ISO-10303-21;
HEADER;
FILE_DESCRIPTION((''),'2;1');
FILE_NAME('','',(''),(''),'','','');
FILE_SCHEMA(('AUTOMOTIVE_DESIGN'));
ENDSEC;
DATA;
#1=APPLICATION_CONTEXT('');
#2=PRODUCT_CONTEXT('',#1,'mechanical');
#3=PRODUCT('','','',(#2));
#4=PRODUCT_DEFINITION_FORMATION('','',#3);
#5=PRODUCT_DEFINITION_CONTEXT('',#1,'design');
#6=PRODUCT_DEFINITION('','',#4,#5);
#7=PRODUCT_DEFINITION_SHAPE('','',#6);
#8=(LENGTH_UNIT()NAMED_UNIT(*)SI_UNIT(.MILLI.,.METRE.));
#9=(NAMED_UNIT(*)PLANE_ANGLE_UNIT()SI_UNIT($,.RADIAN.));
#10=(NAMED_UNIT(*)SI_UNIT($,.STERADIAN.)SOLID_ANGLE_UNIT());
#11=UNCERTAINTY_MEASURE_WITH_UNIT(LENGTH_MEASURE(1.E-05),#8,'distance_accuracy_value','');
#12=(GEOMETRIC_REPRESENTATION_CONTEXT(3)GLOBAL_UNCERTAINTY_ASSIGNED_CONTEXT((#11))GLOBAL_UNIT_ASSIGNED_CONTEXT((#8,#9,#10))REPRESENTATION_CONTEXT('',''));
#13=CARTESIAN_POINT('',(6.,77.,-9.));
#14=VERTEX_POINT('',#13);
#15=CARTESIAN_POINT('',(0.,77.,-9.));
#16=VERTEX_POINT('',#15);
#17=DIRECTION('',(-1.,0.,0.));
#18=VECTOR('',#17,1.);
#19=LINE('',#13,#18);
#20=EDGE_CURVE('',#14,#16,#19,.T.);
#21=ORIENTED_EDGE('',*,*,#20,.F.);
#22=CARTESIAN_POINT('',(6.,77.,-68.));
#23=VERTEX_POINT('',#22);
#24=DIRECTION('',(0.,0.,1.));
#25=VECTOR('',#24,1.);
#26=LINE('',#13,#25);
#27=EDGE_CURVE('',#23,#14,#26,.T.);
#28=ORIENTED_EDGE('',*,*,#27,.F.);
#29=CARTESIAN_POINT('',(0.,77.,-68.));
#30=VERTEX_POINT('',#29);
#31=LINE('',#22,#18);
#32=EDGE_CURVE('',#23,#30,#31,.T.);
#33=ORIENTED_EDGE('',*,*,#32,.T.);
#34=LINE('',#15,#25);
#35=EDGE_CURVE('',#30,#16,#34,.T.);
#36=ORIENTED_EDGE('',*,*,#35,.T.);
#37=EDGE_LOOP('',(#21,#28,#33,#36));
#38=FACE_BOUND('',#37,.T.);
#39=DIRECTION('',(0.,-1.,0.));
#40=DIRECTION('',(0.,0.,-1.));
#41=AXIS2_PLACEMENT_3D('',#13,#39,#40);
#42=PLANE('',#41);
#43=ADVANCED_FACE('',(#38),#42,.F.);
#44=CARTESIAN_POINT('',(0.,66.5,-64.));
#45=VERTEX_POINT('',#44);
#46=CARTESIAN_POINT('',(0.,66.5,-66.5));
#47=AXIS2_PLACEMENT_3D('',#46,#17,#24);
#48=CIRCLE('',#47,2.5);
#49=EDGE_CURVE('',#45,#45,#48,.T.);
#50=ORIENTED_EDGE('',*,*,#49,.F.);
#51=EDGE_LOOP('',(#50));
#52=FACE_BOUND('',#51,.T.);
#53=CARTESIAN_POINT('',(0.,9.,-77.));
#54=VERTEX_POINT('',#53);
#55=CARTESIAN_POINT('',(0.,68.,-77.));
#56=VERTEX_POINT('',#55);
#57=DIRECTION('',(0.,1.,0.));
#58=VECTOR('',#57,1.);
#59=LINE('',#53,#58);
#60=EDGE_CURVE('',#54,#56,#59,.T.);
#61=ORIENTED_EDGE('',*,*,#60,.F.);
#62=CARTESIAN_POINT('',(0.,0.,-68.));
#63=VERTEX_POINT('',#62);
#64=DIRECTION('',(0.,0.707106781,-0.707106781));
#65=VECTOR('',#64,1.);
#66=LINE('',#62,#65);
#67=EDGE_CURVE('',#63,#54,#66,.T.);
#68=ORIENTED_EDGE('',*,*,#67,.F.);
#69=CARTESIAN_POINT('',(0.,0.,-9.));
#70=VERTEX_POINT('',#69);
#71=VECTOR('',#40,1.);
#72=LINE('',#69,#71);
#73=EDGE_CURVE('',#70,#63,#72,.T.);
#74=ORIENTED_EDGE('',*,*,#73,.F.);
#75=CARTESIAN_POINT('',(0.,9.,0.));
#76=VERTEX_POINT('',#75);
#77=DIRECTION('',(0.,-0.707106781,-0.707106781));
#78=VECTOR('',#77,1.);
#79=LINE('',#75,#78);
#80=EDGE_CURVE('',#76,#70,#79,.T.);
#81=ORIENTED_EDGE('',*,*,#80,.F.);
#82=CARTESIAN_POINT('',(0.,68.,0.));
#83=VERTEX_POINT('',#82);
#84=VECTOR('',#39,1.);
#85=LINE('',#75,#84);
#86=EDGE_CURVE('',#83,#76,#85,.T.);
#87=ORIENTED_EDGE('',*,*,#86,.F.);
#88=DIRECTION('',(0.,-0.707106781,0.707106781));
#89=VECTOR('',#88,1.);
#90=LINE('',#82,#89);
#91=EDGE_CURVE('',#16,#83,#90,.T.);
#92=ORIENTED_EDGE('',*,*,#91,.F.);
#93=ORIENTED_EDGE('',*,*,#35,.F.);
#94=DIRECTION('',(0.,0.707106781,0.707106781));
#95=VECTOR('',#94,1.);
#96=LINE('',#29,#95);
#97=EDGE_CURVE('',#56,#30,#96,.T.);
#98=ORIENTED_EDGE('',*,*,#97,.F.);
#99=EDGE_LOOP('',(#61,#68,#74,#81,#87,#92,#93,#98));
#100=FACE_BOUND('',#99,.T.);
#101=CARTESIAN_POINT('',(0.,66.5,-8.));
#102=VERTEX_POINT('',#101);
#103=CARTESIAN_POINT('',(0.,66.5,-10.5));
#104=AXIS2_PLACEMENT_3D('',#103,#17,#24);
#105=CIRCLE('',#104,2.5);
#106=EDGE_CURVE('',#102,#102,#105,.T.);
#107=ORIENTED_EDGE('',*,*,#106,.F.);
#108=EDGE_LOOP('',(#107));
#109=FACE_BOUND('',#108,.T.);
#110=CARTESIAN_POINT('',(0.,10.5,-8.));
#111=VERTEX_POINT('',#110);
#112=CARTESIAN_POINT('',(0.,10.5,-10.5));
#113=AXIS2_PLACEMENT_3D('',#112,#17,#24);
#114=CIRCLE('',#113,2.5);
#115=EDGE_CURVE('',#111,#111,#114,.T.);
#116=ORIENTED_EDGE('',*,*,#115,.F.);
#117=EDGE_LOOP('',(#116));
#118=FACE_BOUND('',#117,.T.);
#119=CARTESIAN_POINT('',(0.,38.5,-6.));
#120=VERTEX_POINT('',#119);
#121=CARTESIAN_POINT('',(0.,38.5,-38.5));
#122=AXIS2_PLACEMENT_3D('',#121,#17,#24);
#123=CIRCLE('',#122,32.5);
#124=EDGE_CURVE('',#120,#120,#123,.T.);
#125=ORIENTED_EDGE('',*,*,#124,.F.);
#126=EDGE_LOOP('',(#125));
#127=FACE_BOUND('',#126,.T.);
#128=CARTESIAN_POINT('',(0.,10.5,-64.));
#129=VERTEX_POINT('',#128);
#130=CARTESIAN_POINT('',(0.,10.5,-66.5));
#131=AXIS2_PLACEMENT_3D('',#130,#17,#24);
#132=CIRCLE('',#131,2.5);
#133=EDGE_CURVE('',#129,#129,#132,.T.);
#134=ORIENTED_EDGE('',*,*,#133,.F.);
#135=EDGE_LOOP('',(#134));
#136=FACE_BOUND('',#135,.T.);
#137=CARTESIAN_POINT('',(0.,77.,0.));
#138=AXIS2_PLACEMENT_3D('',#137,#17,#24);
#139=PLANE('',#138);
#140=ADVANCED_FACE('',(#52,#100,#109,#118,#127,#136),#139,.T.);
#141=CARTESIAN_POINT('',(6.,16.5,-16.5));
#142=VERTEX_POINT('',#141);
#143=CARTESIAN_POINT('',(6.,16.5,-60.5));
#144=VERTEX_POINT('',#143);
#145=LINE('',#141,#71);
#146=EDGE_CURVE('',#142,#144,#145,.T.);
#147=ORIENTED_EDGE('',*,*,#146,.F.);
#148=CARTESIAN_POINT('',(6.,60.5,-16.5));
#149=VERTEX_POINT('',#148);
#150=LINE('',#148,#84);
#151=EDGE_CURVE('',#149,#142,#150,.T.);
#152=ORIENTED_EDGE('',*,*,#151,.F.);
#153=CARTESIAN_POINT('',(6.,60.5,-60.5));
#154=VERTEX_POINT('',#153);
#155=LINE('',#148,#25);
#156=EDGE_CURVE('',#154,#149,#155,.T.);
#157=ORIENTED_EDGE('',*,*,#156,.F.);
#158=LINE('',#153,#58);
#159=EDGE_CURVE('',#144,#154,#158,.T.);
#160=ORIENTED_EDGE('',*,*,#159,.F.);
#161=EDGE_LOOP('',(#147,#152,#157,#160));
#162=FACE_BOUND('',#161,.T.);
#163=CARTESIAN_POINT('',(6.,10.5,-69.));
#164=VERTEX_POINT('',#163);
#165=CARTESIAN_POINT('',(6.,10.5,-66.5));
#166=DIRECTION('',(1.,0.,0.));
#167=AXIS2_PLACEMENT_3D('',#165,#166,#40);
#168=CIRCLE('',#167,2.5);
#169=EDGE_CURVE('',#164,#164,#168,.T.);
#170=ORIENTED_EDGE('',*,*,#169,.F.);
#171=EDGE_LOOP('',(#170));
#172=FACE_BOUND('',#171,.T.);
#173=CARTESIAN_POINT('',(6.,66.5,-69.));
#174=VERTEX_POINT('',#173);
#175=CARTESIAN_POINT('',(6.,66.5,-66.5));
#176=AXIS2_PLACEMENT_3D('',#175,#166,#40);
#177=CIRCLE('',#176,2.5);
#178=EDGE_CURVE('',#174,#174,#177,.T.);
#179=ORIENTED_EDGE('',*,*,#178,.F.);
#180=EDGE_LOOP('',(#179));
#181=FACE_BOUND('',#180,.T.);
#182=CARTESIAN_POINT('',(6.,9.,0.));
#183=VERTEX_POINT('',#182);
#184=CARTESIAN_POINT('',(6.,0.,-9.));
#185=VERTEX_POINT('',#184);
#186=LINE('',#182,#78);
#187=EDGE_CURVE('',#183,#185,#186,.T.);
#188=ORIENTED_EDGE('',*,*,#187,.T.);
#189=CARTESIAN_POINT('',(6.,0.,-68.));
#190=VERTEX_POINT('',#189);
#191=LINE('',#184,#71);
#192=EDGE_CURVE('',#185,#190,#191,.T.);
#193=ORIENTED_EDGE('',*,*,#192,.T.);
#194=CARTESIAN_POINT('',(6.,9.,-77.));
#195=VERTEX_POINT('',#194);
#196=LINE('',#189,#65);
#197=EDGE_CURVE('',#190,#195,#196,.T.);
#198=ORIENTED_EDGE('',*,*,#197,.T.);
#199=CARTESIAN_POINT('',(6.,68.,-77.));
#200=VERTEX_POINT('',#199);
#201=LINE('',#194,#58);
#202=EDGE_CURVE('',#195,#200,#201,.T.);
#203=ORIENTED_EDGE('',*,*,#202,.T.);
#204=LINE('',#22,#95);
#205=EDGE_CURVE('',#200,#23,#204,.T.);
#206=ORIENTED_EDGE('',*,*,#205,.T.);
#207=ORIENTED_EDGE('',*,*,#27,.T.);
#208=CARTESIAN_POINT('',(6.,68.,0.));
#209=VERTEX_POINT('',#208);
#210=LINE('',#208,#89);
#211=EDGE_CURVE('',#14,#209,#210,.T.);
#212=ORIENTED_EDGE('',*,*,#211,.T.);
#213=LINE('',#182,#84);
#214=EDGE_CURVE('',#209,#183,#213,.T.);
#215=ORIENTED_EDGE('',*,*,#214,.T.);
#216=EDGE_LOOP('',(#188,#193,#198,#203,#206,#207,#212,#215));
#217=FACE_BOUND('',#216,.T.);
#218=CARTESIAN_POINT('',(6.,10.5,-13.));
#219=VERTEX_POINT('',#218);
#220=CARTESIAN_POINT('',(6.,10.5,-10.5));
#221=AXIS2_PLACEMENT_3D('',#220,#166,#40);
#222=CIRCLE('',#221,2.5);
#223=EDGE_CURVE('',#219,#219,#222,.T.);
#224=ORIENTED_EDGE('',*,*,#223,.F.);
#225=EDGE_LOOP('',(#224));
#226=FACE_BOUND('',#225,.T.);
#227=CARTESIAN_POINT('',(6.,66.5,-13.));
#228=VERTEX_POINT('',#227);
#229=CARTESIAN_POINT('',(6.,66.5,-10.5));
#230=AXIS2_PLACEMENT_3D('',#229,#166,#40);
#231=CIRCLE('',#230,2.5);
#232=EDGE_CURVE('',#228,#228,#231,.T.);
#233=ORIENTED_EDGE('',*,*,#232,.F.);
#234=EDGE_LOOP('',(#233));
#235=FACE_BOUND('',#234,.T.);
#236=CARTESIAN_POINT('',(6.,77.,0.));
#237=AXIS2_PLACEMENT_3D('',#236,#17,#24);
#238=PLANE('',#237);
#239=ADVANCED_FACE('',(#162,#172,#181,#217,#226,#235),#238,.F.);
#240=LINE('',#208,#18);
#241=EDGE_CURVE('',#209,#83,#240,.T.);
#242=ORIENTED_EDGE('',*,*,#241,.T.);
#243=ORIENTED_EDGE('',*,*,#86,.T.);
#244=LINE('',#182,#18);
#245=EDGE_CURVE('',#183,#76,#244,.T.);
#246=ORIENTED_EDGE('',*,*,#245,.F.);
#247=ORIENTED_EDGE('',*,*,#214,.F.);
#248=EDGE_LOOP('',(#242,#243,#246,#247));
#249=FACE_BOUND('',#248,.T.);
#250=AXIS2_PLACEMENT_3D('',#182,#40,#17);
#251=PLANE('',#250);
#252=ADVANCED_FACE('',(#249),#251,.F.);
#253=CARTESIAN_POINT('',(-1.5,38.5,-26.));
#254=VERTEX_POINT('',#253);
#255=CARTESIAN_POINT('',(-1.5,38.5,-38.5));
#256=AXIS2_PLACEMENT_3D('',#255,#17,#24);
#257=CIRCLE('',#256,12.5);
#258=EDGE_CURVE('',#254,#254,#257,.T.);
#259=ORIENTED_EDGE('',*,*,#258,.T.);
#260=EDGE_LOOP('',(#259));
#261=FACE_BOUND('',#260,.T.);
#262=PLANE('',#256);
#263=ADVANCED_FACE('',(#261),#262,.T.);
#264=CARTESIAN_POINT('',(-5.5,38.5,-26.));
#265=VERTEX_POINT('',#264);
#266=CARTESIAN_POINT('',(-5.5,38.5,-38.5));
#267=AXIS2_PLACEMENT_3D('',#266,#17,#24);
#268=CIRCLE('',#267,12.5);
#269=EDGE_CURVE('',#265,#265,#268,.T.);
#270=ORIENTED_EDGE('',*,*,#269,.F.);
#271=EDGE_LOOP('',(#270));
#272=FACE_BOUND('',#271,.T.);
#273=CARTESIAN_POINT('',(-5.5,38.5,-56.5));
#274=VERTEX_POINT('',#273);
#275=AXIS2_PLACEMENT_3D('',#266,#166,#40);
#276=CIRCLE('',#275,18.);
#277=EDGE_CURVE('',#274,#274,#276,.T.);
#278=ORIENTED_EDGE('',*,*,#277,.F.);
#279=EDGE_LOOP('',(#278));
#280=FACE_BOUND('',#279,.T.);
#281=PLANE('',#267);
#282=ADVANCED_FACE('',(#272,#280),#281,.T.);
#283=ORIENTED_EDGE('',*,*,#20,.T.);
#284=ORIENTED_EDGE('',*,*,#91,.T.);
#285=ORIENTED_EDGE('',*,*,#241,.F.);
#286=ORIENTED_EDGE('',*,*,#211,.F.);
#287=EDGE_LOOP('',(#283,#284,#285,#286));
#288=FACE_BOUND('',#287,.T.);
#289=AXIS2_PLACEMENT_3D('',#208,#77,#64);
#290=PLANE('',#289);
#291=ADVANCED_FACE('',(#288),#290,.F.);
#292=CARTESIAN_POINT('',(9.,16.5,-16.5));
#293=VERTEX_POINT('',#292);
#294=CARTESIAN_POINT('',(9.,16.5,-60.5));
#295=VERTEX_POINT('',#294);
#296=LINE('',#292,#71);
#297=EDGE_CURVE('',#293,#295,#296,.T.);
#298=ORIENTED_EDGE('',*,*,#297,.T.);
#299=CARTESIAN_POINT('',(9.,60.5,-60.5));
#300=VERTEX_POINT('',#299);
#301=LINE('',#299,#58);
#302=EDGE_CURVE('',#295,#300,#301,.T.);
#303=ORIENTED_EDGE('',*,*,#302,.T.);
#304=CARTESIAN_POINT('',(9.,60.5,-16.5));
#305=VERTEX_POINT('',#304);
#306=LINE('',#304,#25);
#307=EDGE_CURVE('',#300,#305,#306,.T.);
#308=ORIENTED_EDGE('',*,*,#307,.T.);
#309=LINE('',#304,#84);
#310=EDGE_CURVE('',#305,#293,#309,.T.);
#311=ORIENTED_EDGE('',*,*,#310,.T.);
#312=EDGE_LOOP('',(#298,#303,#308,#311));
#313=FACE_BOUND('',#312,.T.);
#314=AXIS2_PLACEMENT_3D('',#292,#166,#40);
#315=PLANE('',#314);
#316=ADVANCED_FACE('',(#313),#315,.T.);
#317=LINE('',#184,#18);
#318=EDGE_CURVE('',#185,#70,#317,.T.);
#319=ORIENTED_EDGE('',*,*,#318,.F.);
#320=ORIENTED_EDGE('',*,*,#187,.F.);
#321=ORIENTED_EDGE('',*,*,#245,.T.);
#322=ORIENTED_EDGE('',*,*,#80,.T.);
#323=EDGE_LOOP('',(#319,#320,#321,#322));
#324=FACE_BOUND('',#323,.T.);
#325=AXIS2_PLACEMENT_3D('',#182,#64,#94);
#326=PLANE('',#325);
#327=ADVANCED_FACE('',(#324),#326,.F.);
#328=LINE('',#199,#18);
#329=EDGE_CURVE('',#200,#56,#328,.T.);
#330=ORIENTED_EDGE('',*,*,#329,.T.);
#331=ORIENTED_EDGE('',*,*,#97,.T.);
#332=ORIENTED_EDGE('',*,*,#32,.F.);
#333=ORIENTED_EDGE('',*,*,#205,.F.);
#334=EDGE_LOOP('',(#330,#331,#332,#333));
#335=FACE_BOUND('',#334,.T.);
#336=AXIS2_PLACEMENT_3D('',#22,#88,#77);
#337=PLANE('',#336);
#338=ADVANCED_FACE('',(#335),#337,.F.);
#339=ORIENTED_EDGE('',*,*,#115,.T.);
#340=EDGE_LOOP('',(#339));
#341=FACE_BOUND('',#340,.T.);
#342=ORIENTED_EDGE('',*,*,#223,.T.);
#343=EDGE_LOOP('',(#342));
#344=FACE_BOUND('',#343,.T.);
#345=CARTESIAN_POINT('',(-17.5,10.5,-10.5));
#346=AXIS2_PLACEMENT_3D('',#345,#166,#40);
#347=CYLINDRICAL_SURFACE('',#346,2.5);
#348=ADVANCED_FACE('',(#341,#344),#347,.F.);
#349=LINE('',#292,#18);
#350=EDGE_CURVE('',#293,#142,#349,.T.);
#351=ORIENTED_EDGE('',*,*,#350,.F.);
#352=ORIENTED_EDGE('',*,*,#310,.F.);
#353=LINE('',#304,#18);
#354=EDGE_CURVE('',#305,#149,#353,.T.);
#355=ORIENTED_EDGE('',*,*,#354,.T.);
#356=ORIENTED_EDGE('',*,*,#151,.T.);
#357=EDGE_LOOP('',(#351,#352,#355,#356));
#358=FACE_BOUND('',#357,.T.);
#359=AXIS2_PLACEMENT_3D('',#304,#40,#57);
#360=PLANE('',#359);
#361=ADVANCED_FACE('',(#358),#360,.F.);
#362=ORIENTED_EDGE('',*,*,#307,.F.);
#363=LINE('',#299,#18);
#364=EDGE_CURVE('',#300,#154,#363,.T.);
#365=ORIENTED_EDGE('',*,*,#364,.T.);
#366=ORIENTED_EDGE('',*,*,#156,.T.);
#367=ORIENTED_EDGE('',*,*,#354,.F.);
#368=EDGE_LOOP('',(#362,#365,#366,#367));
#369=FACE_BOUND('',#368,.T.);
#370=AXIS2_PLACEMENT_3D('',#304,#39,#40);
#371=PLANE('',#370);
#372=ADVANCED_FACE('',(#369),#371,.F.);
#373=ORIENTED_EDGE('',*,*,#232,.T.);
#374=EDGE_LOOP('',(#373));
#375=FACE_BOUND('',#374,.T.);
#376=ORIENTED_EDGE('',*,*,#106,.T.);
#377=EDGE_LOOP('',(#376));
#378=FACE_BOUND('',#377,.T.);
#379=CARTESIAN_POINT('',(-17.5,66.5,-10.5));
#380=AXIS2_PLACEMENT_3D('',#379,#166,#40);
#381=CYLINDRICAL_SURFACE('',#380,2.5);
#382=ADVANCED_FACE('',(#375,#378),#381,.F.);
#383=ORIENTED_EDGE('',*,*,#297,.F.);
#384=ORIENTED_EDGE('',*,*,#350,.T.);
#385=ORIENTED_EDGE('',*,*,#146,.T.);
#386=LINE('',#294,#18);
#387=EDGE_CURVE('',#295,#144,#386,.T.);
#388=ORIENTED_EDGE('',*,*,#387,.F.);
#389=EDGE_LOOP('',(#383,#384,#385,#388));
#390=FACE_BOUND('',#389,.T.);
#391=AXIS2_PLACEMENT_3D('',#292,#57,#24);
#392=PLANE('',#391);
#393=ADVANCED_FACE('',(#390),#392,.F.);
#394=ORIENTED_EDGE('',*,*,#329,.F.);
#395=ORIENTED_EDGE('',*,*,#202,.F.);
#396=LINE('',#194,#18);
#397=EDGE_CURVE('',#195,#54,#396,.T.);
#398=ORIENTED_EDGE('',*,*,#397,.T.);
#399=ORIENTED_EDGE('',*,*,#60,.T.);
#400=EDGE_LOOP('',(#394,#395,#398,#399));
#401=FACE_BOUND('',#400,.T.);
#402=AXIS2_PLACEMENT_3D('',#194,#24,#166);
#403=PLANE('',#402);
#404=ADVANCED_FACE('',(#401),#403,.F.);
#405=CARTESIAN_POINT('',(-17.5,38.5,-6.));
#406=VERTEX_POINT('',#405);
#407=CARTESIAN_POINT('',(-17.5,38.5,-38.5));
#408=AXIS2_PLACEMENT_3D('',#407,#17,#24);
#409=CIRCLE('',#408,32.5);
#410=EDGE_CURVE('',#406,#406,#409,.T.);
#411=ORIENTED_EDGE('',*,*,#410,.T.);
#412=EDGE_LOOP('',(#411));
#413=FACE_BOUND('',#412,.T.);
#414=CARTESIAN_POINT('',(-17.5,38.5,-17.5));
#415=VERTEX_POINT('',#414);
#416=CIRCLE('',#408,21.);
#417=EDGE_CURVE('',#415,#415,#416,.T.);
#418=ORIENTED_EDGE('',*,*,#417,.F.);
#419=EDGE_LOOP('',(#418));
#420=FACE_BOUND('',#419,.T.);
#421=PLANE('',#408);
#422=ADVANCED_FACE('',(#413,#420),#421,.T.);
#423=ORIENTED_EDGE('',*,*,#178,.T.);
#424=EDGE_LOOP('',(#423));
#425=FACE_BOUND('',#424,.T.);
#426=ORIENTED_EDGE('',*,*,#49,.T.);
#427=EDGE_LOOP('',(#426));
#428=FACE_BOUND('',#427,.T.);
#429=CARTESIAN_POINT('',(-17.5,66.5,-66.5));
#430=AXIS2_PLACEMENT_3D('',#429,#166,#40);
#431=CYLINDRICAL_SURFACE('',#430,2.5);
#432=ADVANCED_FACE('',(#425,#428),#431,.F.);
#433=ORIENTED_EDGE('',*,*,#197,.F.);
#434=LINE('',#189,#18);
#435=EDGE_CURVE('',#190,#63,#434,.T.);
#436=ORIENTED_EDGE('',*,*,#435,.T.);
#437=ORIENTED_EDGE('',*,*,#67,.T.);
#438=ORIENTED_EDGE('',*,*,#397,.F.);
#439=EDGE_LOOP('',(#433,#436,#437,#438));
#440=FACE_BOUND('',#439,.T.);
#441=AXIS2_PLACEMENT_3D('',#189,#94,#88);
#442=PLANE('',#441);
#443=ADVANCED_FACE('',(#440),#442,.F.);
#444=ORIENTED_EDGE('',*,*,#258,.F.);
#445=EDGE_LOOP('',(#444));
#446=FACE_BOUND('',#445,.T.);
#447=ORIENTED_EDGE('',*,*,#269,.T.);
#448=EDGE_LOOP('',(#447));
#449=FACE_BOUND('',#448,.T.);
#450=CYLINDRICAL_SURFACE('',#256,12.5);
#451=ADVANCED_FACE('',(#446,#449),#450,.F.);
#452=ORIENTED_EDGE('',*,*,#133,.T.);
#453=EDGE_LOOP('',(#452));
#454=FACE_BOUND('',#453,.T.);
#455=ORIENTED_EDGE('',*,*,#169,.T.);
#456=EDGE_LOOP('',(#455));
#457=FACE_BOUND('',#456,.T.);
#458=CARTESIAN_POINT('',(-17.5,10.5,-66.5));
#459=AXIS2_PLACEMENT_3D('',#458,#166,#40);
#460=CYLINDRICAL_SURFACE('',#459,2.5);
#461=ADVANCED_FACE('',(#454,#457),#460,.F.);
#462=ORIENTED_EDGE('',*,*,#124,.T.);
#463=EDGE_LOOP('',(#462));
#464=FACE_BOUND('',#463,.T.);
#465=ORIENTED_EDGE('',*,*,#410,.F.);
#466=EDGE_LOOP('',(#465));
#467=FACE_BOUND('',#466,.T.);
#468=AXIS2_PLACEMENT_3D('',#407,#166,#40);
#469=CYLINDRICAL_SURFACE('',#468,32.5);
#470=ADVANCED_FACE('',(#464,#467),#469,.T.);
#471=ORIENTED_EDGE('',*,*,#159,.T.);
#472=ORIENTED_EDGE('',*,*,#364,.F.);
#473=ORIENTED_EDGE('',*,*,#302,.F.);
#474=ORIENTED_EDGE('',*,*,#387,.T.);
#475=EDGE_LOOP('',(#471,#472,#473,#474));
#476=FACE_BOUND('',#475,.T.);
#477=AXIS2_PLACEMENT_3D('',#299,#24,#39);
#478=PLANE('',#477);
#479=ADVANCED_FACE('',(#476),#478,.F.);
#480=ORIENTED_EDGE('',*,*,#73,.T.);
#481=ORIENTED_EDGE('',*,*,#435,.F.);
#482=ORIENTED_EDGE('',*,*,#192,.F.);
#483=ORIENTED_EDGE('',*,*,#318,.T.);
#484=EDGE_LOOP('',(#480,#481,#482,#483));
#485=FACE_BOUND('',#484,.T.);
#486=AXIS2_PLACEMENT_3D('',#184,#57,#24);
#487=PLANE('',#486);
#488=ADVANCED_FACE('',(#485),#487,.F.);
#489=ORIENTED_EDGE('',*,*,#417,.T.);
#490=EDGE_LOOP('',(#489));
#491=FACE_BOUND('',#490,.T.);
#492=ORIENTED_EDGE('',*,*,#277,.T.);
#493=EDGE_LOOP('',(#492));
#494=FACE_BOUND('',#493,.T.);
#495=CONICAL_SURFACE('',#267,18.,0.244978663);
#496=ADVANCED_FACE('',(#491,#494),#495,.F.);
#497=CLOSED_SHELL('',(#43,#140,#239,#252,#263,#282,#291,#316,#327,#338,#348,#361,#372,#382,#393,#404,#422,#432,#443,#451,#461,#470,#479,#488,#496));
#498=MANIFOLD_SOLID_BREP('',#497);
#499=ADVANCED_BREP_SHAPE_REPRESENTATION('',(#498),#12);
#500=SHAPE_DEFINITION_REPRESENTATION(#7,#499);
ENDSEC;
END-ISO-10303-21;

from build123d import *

# Parameters (mm, degrees)
EXTRUDE1_DEPTH            = 6
SKETCH2_W                 = 44
SKETCH2_H                 = 44
EXTRUDE2_DEPTH            = 3
SKETCH4_R                 = 32.5
EXTRUDE3_DEPTH            = 17.5
SKETCH16_R                = 21
EXTRUDE7_DEPTH            = 12
SKETCH19_R                = 2.5
EXTRUDE8_DEPTH            = 24.5
LPATTERN1_COUNT           = 2
LPATTERN1_PITCH           = 56
LPATTERN2_COUNT           = 2
LPATTERN2_PITCH           = 56
LPATTERN2_COPY_1_SKETCH_R = 2.5
LPATTERN2_COPY_1_DEPTH    = 24.5
SKETCH20_R                = 12.5
EXTRUDE10_DEPTH           = 4


with BuildPart() as part:
    # Sketch1 → Extrude1 (new body)
    with BuildSketch(Plane(origin=(0, 0, 0), x_dir=(0, 0, -1), z_dir=(1, 0, 0))):
        Polygon((0, 68), (9, 77), (68, 77), (77, 68), (77, 9), (68, 0), (9, 0), (0, 9), align=None)
    extrude(amount=EXTRUDE1_DEPTH)

    # Sketch2 → Extrude2 (add)
    with BuildSketch(Plane(origin=(6, 0, 0), x_dir=(0, 0, -1), z_dir=(1, 0, 0))):
        with Locations((38.5, 38.5)):
            Rectangle(SKETCH2_W, SKETCH2_H)
    extrude(amount=EXTRUDE2_DEPTH)

    # Sketch4 → Extrude3 (add)
    with BuildSketch(Plane.ZY):
        with Locations((-38.5, 38.5)):
            Circle(SKETCH4_R)
    extrude(amount=EXTRUDE3_DEPTH)

    # Sketch16 → Extrude7 (cut)
    with BuildSketch(Plane.ZY.offset(17.5)):
        with Locations((-38.5, 38.5)):
            Circle(SKETCH16_R)
    extrude(amount=-EXTRUDE7_DEPTH, mode=Mode.SUBTRACT)

    # Sketch18 → Revolve2 (revolve)
    with BuildSketch(Plane.XZ.offset(-38.5)):
        Polygon((-5.5, -56.5), (-5.5, -59.5), (-17.5, -59.5), align=None)
    revolve(axis=Axis((9, 38.5, -38.5), (-1, 0, 0)))

    # Sketch19 → Extrude8 (cut, through all)
    with BuildSketch(Plane(origin=(6, 0, 0), x_dir=(0, 0, -1), z_dir=(1, 0, 0))):
        with Locations((10.5, 66.5)):
            Circle(SKETCH19_R)
    extrude8 = extrude(amount=-EXTRUDE8_DEPTH, mode=Mode.SUBTRACT)

    # LPattern1: Extrude8 ×2
    with Locations(*[(0, 0, -i * LPATTERN1_PITCH) for i in range(1, LPATTERN1_COUNT)]):
        add(extrude8, mode=Mode.SUBTRACT)

    # LPattern2: Extrude8 ×2
    with Locations(*[(0, -i * LPATTERN2_PITCH, 0) for i in range(1, LPATTERN2_COUNT)]):
        add(extrude8, mode=Mode.SUBTRACT)

    # LPattern2 copy 1 sketch → LPattern2 copy 1 (cut, through all)
    with BuildSketch(Plane(origin=(6, -56, -56), x_dir=(0, 0, -1), z_dir=(1, 0, 0))):
        with Locations((10.5, 66.5)):
            Circle(LPATTERN2_COPY_1_SKETCH_R)
    extrude(amount=-LPATTERN2_COPY_1_DEPTH, mode=Mode.SUBTRACT)

    # Sketch20 → Extrude10 (cut)
    with BuildSketch(Plane.ZY.offset(5.5)):
        with Locations((-38.5, 38.5)):
            Circle(SKETCH20_R)
    extrude(amount=-EXTRUDE10_DEPTH, mode=Mode.SUBTRACT)


solid = part.part
